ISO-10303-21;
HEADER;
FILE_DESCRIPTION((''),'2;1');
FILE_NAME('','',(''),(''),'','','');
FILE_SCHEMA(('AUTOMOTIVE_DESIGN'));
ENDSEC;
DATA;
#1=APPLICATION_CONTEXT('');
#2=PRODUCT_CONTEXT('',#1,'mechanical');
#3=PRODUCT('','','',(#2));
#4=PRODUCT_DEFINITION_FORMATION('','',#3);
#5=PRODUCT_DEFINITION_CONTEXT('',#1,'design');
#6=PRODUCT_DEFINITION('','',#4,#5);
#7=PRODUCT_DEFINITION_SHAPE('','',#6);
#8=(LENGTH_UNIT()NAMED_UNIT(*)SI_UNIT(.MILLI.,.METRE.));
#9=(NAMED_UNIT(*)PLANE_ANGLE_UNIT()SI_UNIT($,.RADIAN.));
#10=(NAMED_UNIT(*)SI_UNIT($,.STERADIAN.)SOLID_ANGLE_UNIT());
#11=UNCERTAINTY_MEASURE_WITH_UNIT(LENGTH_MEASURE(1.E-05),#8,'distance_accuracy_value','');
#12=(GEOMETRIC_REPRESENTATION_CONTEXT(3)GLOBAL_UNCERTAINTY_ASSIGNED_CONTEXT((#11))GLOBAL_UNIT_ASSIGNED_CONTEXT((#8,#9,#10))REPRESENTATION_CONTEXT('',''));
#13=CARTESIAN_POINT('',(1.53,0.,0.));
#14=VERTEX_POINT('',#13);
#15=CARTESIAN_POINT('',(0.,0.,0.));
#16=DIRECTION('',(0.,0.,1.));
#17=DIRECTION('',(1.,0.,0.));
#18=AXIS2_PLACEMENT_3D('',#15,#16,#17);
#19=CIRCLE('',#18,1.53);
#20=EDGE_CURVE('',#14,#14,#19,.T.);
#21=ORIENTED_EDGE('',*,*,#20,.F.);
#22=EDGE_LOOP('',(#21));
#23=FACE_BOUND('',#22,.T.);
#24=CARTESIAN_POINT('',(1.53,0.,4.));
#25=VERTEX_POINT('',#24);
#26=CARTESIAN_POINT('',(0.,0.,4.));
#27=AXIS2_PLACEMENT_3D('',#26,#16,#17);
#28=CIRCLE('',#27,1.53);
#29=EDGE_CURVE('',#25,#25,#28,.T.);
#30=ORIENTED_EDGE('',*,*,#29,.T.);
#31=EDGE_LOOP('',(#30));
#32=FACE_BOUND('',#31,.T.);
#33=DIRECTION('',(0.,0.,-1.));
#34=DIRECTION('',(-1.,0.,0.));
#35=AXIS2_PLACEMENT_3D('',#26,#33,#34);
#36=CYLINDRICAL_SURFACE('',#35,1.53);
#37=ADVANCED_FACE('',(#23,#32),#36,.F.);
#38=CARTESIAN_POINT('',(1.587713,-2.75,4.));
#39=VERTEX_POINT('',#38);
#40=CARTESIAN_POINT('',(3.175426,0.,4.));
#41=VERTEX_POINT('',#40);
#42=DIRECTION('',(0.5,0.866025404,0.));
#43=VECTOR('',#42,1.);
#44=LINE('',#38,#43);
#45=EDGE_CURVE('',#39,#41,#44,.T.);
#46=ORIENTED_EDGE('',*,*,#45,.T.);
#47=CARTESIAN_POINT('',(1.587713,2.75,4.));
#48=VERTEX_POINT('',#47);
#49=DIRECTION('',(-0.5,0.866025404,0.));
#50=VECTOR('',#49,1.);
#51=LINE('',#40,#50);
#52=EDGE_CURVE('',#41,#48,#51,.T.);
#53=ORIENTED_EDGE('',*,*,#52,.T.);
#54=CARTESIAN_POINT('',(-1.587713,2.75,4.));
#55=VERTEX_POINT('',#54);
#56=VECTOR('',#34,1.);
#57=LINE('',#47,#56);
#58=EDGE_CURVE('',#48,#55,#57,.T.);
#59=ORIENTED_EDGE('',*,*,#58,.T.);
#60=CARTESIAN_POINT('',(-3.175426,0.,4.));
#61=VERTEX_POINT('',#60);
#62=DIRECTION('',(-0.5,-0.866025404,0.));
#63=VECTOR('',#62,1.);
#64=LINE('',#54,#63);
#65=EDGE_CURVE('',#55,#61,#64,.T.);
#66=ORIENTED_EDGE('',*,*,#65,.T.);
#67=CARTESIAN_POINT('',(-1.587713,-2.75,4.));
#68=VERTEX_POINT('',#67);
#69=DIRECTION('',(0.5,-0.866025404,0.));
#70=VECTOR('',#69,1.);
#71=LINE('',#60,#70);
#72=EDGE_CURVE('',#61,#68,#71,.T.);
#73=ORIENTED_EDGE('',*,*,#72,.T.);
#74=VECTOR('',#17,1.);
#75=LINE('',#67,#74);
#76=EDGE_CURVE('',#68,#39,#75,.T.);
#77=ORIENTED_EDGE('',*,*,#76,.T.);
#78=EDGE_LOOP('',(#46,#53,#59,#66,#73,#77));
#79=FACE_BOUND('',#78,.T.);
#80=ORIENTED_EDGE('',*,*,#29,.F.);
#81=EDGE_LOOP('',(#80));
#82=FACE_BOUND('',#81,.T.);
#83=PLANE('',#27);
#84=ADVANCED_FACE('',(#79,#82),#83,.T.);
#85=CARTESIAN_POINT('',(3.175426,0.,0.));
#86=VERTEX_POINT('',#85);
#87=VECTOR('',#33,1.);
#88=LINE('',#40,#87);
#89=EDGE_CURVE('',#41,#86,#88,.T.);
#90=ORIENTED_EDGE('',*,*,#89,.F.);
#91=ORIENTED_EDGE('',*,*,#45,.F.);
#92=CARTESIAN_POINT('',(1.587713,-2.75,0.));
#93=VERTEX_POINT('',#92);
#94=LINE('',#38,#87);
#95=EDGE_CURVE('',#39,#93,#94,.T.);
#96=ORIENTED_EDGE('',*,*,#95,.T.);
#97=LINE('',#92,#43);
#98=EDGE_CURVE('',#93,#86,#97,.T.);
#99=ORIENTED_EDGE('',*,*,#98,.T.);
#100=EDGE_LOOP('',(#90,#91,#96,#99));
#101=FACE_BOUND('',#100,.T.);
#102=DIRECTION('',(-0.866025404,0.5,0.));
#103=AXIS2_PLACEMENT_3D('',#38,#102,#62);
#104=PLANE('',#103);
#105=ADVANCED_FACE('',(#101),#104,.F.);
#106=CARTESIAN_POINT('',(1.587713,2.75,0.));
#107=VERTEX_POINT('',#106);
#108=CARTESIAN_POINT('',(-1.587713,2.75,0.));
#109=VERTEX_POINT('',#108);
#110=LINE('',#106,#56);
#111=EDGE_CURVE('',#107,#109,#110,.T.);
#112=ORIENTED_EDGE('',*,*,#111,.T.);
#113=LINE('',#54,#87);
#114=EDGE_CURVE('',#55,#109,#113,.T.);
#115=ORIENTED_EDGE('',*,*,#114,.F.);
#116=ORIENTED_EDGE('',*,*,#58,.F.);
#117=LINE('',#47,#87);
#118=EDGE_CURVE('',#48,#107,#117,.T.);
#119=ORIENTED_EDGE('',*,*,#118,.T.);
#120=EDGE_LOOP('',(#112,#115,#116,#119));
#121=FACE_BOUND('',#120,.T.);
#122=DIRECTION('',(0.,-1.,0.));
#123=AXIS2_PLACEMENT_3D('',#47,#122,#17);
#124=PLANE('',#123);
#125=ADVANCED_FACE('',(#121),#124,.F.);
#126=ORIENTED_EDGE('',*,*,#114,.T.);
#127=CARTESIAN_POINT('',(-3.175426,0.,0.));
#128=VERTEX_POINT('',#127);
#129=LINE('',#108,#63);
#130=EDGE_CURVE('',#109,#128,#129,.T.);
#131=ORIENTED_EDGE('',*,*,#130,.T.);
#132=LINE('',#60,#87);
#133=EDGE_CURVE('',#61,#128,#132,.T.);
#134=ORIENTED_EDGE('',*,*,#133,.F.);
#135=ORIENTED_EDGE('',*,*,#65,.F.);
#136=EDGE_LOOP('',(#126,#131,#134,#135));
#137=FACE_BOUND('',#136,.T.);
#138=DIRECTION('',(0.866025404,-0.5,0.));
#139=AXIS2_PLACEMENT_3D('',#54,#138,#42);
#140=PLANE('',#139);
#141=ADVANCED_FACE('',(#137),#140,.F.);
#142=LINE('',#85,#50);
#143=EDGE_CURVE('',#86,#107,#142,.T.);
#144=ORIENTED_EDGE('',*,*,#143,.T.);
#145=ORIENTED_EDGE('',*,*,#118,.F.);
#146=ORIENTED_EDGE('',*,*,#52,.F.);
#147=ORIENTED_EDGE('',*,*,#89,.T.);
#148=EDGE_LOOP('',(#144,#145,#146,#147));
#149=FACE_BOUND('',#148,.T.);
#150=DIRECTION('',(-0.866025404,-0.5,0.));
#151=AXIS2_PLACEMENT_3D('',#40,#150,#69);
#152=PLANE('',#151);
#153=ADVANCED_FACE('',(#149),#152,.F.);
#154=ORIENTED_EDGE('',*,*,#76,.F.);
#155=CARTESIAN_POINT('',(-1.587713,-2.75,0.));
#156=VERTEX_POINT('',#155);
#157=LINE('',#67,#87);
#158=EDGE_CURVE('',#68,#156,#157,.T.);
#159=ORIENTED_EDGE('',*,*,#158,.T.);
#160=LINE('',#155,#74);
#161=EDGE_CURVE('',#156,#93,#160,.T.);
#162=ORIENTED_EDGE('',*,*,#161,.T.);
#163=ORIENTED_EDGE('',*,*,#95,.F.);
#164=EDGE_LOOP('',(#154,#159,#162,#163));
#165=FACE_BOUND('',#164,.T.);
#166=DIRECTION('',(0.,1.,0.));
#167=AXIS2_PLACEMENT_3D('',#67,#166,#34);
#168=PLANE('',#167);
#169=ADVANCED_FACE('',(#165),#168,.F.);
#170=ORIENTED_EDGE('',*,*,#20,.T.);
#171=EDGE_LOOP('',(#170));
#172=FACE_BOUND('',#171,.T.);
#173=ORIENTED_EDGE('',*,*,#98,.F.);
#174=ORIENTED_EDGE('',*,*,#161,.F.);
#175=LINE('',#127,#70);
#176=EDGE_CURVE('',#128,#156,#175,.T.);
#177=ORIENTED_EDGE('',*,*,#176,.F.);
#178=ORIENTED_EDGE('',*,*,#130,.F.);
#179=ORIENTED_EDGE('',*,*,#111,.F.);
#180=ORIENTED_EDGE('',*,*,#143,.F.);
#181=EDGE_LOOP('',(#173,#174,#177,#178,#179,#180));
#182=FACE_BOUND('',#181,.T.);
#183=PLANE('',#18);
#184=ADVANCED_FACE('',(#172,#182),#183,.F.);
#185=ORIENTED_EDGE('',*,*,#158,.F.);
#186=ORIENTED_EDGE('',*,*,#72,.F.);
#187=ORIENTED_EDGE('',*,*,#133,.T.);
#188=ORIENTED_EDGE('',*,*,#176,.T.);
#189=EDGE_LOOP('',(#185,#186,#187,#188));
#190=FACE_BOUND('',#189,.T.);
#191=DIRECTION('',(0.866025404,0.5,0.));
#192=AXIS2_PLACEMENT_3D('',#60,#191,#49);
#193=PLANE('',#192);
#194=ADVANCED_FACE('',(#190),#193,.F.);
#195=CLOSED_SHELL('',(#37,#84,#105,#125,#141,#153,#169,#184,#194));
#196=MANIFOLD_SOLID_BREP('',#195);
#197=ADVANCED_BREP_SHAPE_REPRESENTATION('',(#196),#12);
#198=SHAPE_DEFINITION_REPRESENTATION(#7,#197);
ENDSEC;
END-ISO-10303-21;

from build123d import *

# Parameters (mm, degrees)
S01_HEXAGON_AND_NOMINAL_THREAD_ENVELOP_R       = 1.53
F_01_HEXAGON_AND_NOMINAL_THREAD_ENVELOPE_DEPTH = 4


with BuildPart() as part:
    # S01 - Hexagon and nominal thread envelope → 01 - Hexagon and nominal thread envelope (new body)
    with BuildSketch(Plane.XY):
        Polygon((3.175426481, 0), (1.58771324, 2.75), (-1.58771324, 2.75), (-3.175426481, 0), (-1.58771324, -2.75), (1.58771324, -2.75), align=None)
        Circle(S01_HEXAGON_AND_NOMINAL_THREAD_ENVELOP_R, mode=Mode.SUBTRACT)
    extrude(amount=F_01_HEXAGON_AND_NOMINAL_THREAD_ENVELOPE_DEPTH)


solid = part.part
